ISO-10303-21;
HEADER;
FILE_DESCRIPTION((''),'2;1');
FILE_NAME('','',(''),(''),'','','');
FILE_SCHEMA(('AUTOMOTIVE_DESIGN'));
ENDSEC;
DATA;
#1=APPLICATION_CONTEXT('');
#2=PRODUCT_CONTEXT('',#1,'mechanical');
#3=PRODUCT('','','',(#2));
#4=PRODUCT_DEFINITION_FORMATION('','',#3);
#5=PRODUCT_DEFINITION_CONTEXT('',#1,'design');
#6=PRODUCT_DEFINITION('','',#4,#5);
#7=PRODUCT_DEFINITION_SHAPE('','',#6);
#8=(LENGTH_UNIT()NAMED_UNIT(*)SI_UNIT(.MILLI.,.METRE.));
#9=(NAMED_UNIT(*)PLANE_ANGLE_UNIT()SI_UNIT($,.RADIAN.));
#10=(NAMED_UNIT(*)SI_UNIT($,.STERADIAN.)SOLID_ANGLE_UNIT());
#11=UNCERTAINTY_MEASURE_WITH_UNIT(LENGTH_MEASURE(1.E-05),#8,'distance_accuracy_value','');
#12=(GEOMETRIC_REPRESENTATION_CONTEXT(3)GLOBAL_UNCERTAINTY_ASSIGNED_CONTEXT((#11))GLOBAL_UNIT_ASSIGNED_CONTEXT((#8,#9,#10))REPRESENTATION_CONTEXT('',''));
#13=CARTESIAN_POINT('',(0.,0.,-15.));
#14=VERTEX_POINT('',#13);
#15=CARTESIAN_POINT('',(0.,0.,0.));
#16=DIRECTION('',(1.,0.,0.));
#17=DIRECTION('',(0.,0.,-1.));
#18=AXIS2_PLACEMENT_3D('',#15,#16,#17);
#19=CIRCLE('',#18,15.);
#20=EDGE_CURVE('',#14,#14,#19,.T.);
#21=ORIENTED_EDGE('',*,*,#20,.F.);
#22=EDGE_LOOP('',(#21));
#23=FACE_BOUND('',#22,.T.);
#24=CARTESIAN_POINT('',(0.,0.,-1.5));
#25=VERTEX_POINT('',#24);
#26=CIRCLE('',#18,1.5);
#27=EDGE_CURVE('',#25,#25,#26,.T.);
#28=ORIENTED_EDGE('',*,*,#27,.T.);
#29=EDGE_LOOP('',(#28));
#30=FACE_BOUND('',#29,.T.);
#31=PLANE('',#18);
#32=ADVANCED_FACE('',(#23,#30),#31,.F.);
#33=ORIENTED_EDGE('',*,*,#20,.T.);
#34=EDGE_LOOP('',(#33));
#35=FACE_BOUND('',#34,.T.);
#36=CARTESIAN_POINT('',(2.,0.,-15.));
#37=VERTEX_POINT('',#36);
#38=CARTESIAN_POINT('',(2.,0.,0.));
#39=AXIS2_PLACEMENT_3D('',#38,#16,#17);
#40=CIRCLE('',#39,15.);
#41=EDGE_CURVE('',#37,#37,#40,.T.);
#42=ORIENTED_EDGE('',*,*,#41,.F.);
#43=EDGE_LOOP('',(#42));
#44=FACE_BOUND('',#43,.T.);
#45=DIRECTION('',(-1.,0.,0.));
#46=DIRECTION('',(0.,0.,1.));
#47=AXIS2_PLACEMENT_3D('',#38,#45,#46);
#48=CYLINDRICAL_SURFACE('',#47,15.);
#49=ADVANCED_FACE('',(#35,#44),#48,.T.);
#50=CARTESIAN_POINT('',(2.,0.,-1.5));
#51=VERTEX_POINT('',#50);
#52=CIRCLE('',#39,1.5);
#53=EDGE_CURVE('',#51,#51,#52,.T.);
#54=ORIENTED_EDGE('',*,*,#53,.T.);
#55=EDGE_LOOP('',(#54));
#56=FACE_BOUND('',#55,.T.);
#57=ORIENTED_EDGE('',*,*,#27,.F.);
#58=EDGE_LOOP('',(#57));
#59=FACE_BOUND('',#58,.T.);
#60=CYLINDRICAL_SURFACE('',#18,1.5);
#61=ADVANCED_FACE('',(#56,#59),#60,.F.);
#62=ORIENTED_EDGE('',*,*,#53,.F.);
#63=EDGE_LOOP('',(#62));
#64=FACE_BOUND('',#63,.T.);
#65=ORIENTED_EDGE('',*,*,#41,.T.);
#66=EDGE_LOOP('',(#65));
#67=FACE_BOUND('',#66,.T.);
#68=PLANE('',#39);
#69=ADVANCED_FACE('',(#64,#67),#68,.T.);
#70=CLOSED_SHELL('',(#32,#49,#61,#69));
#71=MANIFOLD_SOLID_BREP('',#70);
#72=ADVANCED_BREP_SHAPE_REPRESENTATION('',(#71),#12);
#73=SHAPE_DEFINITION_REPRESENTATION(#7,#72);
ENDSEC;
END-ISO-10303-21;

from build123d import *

# Parameters (mm, degrees)
SKETCH1_R           = 15
BOSS_EXTRUDE1_DEPTH = 2
SKETCH2_R           = 1.5
CUT_EXTRUDE1_DEPTH  = 3


with BuildPart() as part:
    # Sketch1 → Boss-Extrude1 (new body)
    with BuildSketch(Plane(origin=(0, 0, 0), x_dir=(0, 0, -1), z_dir=(1, 0, 0))):
        Circle(SKETCH1_R)
    extrude(amount=BOSS_EXTRUDE1_DEPTH)

    # Sketch2 → Cut-Extrude1 (cut, through all)
    with BuildSketch(Plane(origin=(2, 0, 0), x_dir=(0, 0, -1), z_dir=(1, 0, 0))):
        Circle(SKETCH2_R)
    extrude(amount=-CUT_EXTRUDE1_DEPTH, mode=Mode.SUBTRACT)


solid = part.part
